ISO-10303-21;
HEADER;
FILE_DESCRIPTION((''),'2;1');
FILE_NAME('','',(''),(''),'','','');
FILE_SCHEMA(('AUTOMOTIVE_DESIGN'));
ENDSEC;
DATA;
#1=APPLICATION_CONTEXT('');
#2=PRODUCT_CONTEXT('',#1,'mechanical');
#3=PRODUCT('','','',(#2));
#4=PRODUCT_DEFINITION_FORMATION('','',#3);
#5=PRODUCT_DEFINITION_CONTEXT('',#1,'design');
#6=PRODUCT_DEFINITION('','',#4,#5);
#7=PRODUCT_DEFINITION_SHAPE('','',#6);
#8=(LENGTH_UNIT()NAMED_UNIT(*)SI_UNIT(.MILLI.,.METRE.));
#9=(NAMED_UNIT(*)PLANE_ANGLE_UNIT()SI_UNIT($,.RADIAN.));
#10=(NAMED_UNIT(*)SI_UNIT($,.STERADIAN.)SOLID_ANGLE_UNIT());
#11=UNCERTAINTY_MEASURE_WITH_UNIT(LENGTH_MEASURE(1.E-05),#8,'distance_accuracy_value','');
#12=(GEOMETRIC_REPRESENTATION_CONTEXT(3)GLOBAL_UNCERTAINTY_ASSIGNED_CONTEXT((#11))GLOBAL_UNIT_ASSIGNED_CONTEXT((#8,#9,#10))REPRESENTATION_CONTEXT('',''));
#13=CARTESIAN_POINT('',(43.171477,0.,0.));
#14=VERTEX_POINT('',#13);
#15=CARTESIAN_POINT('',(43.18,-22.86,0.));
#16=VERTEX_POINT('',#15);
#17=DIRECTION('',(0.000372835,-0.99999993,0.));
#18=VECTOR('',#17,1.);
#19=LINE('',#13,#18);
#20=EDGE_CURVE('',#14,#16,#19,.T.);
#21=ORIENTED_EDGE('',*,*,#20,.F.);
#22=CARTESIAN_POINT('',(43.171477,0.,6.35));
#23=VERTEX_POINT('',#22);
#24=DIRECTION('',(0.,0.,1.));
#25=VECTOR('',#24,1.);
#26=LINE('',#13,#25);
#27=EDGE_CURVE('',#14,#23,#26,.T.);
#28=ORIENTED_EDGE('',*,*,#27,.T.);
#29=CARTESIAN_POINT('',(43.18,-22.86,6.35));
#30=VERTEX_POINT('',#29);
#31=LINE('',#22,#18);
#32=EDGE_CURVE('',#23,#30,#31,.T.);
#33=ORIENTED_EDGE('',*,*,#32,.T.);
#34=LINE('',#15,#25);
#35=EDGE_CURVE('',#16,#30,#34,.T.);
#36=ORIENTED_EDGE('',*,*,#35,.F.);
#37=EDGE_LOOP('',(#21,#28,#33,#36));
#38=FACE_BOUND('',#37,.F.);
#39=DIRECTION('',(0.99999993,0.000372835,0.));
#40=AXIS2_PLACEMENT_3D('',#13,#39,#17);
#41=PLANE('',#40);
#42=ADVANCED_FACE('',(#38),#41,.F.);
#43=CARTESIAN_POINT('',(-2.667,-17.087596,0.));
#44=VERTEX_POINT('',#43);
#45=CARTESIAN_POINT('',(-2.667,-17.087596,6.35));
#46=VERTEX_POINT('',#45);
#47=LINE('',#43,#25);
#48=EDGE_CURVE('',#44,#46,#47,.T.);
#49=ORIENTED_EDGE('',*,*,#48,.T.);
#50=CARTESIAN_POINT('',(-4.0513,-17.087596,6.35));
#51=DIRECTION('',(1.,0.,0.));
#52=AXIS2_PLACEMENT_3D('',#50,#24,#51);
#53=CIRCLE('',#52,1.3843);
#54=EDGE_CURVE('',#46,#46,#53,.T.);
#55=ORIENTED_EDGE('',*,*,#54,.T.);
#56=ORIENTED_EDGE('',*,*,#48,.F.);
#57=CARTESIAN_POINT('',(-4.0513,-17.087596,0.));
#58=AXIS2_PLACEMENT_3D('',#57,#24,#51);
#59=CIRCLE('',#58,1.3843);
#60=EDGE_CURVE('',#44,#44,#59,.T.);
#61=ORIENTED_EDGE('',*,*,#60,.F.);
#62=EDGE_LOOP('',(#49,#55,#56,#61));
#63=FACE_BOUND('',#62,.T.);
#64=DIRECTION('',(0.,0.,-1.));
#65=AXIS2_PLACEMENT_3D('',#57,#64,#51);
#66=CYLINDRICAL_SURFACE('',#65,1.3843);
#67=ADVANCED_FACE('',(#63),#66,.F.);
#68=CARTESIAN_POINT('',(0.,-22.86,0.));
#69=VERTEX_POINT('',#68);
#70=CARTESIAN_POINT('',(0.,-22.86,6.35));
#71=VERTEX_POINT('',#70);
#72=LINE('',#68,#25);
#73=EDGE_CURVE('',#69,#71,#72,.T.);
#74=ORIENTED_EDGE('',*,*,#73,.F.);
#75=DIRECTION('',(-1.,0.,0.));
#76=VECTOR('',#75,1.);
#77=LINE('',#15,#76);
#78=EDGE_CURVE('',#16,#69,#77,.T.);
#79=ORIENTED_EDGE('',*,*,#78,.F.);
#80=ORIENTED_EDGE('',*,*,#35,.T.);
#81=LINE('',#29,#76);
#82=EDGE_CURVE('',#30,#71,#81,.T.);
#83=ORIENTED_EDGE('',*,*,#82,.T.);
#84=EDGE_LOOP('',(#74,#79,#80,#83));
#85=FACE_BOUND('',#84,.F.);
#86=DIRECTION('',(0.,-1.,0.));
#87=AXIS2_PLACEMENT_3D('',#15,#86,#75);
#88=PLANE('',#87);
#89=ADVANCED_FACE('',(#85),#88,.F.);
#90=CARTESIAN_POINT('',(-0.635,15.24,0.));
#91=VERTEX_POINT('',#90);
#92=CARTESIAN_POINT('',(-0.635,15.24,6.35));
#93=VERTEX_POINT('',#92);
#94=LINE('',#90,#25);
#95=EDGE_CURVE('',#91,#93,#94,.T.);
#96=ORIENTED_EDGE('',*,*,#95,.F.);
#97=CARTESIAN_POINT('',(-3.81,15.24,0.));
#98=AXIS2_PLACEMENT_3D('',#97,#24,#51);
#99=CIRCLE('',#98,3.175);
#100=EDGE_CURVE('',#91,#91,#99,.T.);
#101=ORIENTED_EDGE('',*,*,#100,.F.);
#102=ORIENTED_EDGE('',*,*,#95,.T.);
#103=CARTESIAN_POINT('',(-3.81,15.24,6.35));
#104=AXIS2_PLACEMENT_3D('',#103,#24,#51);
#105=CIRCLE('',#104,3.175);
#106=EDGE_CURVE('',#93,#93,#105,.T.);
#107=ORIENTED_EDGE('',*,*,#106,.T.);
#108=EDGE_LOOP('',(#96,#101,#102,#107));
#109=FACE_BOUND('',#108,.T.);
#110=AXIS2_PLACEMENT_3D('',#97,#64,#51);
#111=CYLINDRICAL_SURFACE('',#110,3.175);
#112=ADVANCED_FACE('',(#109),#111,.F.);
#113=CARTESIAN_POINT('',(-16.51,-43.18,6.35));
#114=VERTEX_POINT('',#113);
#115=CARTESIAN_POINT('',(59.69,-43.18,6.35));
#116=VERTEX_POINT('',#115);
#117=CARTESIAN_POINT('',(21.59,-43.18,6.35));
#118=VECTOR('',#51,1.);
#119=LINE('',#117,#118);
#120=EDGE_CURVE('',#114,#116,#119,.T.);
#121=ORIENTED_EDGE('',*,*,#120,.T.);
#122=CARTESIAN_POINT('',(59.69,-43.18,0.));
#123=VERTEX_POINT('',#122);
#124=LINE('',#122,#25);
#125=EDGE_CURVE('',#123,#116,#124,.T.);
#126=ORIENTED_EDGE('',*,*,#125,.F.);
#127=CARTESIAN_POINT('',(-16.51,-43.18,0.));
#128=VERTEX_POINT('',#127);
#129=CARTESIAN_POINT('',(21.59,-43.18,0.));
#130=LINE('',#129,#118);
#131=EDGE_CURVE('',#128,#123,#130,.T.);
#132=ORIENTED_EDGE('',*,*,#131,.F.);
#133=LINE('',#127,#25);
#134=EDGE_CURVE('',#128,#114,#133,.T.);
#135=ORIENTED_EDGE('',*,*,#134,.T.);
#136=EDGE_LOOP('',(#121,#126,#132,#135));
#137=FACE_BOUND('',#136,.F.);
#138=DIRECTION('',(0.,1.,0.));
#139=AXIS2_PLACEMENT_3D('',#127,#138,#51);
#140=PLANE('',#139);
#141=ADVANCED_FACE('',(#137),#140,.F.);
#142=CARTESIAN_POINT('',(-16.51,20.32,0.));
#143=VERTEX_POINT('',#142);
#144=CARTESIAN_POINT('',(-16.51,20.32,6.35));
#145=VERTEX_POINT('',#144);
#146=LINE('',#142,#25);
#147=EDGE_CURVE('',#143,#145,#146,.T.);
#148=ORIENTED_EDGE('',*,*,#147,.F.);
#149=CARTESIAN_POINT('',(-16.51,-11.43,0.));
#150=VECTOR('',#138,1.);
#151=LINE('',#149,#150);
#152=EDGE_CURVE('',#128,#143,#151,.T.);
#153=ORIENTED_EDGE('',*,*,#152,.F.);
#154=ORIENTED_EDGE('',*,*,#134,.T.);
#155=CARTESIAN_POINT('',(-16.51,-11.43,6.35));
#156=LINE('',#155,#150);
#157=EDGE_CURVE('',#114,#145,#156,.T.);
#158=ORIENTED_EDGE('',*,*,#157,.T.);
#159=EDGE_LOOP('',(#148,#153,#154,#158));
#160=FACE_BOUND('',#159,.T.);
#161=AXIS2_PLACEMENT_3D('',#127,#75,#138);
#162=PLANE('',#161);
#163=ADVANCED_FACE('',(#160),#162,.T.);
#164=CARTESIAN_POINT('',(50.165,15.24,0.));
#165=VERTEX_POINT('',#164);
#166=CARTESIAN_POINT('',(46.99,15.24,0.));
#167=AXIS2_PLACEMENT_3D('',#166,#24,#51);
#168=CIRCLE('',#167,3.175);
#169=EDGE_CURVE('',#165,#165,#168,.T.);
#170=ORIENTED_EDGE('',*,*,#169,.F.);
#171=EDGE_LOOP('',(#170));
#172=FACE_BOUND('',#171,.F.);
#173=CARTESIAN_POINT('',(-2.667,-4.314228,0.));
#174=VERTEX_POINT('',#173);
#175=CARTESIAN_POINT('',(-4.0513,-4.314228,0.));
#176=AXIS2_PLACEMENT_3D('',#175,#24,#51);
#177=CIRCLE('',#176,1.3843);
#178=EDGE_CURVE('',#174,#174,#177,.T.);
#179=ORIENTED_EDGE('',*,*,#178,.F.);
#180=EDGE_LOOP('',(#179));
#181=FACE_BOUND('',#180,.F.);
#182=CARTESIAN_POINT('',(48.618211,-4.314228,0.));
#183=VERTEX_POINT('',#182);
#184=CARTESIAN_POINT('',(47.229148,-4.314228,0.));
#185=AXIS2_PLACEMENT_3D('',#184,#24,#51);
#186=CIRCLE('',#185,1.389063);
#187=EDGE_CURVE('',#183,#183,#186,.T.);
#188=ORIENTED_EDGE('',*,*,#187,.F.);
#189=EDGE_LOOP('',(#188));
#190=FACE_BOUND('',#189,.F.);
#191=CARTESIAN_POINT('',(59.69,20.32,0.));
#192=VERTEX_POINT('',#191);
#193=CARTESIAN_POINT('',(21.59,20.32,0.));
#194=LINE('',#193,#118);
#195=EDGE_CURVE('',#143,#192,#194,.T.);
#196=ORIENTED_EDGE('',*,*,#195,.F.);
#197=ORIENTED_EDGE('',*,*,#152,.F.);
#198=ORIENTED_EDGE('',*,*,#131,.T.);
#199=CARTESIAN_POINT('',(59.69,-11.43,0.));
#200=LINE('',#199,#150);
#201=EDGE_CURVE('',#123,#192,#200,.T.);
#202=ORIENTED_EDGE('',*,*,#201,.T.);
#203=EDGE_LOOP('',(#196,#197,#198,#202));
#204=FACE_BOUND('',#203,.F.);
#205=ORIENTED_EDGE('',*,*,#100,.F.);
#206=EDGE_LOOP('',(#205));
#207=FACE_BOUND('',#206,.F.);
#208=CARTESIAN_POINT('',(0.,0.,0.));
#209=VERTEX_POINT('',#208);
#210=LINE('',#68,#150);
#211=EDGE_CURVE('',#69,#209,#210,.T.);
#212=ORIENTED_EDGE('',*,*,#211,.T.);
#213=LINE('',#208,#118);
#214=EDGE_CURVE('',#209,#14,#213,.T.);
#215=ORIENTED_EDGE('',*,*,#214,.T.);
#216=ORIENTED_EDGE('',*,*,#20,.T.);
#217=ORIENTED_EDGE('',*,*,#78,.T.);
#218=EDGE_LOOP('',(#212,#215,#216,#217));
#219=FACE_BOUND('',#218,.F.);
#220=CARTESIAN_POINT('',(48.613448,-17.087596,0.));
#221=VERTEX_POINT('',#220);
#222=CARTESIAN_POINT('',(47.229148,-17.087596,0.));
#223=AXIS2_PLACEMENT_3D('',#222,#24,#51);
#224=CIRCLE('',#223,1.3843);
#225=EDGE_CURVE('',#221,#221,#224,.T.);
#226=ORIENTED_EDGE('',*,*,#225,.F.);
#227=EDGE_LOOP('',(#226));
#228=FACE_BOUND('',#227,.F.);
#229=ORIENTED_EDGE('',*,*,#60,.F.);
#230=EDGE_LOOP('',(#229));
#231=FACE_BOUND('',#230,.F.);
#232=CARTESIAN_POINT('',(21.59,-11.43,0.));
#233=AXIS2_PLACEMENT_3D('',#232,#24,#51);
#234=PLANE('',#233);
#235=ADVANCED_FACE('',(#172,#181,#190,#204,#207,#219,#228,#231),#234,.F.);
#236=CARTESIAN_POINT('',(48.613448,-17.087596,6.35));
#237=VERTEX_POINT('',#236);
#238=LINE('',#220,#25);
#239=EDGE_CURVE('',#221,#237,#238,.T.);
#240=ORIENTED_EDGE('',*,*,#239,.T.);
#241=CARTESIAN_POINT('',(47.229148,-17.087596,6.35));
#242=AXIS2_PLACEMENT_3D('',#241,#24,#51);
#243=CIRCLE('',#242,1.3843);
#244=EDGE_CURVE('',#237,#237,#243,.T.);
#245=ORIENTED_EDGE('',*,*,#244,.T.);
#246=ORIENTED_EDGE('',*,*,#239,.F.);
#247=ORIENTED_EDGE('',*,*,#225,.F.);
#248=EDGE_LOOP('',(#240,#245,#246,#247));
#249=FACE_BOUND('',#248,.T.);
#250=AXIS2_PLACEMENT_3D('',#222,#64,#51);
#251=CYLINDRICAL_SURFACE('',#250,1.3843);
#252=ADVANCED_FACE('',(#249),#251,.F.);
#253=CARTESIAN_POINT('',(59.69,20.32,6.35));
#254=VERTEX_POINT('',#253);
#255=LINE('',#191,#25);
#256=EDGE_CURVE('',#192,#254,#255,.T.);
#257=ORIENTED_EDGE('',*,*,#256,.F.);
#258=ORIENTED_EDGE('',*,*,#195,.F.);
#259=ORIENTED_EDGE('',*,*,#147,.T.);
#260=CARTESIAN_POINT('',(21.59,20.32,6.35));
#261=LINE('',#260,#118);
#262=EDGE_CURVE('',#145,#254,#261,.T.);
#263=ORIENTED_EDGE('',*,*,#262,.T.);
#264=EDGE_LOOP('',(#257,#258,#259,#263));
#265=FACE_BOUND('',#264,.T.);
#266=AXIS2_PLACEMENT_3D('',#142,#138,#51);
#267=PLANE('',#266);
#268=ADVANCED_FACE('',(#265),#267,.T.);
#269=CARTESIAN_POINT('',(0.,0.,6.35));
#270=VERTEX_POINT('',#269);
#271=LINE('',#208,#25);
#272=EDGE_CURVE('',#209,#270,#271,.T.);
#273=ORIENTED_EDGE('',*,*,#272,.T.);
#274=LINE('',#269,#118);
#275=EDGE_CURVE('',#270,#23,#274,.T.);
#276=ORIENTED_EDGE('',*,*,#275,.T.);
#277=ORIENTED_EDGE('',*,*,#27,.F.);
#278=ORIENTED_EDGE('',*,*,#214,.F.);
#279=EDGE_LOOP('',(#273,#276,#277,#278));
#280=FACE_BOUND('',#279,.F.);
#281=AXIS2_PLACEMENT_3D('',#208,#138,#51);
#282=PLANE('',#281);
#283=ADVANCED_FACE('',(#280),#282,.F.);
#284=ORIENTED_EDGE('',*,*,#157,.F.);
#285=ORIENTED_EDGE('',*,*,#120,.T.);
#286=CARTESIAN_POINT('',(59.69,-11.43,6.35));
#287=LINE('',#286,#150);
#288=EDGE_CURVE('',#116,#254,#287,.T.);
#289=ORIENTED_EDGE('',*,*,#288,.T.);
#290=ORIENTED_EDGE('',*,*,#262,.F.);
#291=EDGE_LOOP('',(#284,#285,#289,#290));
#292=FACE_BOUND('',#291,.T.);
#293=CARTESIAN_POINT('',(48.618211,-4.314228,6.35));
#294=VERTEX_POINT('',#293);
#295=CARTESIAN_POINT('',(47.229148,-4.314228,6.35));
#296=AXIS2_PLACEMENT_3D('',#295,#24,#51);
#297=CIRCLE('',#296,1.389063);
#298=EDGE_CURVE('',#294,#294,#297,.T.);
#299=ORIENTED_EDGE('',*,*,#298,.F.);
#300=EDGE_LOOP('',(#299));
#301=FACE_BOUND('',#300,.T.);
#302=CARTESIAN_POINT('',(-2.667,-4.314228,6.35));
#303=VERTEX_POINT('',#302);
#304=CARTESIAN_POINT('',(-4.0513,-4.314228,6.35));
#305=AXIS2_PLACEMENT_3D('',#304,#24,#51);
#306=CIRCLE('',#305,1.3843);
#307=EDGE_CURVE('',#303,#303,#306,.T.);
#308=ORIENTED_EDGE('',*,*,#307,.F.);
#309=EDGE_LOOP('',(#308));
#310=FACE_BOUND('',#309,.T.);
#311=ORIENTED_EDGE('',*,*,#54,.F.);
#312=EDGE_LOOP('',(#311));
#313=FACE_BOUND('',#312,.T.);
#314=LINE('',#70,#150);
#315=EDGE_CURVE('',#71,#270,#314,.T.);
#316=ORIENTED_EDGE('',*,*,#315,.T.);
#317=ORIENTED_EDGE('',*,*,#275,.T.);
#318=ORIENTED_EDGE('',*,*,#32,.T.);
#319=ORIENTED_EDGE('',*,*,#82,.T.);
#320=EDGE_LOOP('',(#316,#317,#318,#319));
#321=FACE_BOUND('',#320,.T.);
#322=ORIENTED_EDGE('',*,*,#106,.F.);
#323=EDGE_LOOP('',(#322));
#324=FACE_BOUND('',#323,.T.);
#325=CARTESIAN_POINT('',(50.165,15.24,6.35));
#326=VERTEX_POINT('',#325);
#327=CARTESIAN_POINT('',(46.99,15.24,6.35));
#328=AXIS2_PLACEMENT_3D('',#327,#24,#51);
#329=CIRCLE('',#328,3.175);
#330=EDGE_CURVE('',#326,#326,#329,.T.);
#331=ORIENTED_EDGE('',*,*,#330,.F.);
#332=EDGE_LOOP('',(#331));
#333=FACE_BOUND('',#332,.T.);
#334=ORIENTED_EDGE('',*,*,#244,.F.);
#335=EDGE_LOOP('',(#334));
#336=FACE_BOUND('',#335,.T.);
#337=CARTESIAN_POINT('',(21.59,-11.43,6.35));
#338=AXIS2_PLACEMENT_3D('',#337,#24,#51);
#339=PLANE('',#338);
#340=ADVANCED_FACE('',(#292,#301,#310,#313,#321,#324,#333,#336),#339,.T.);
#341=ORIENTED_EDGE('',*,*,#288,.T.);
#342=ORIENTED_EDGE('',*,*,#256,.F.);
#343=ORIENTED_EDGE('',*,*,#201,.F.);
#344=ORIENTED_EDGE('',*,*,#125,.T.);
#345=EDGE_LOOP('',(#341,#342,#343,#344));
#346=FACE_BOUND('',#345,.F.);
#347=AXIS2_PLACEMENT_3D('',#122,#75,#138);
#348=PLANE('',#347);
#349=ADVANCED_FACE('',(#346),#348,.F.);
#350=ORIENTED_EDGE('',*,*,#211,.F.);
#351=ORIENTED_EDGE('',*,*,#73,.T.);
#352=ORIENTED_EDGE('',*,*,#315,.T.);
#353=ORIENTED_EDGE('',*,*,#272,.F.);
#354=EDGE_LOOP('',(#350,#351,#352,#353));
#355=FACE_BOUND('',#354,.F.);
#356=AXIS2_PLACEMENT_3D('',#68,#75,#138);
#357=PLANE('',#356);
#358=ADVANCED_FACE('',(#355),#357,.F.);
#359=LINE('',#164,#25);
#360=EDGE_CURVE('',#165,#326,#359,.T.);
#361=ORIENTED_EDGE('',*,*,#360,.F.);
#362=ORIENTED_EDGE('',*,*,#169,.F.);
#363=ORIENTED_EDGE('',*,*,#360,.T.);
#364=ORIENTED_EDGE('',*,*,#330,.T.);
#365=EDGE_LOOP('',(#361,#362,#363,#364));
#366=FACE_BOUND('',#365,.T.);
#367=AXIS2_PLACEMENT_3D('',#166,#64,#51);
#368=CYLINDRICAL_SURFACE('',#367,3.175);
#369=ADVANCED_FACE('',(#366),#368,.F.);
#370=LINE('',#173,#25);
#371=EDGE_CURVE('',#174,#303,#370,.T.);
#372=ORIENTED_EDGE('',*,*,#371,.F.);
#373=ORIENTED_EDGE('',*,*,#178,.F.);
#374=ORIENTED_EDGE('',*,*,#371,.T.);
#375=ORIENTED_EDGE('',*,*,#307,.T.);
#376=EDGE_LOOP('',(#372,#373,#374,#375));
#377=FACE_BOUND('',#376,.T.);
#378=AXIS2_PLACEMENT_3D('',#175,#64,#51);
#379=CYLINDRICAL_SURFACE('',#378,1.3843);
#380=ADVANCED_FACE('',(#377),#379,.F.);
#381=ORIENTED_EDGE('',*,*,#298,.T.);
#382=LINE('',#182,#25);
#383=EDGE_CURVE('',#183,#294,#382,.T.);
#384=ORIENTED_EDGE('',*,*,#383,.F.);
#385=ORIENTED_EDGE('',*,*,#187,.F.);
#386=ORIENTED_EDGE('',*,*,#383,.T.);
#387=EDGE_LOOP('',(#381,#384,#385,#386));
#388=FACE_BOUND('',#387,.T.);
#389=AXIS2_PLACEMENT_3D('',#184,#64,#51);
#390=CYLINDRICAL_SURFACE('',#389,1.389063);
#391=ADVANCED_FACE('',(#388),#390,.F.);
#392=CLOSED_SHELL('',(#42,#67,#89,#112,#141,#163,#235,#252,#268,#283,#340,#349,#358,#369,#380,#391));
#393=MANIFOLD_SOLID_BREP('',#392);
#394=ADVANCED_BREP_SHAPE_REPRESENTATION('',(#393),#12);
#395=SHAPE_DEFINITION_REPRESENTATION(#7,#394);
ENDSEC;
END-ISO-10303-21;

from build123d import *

# Parameters (mm, degrees)
F0_W     = 76.2
F0_H     = 63.5
F0_R     = 1.3843
F0_R_2   = 3.175
F0_R_3   = 1.389063
F1_DEPTH = 6.35


with BuildPart() as f1:
    # F0 (on Top) → F1 (new body)
    with BuildSketch(Plane.XY):
        with Locations((21.59, -11.43)):
            Rectangle(F0_W, F0_H)
        with Locations((-4.0513, -17.087596)):
            Circle(F0_R, mode=Mode.SUBTRACT)
        with Locations((47.229148, -17.087596)):
            Circle(F0_R, mode=Mode.SUBTRACT)
        with Locations((-4.0513, -4.314228)):
            Circle(F0_R, mode=Mode.SUBTRACT)
        with Locations((-3.81, 15.24)):
            Circle(F0_R_2, mode=Mode.SUBTRACT)
        Polygon((0, -22.86), (0, 0), (43.171477, 0), (43.18, -22.86), align=None, mode=Mode.SUBTRACT)
        with Locations((47.229148, -4.314228)):
            Circle(F0_R_3, mode=Mode.SUBTRACT)
        with Locations((46.99, 15.24)):
            Circle(F0_R_2, mode=Mode.SUBTRACT)
    extrude(amount=F1_DEPTH)


solid = f1.part
